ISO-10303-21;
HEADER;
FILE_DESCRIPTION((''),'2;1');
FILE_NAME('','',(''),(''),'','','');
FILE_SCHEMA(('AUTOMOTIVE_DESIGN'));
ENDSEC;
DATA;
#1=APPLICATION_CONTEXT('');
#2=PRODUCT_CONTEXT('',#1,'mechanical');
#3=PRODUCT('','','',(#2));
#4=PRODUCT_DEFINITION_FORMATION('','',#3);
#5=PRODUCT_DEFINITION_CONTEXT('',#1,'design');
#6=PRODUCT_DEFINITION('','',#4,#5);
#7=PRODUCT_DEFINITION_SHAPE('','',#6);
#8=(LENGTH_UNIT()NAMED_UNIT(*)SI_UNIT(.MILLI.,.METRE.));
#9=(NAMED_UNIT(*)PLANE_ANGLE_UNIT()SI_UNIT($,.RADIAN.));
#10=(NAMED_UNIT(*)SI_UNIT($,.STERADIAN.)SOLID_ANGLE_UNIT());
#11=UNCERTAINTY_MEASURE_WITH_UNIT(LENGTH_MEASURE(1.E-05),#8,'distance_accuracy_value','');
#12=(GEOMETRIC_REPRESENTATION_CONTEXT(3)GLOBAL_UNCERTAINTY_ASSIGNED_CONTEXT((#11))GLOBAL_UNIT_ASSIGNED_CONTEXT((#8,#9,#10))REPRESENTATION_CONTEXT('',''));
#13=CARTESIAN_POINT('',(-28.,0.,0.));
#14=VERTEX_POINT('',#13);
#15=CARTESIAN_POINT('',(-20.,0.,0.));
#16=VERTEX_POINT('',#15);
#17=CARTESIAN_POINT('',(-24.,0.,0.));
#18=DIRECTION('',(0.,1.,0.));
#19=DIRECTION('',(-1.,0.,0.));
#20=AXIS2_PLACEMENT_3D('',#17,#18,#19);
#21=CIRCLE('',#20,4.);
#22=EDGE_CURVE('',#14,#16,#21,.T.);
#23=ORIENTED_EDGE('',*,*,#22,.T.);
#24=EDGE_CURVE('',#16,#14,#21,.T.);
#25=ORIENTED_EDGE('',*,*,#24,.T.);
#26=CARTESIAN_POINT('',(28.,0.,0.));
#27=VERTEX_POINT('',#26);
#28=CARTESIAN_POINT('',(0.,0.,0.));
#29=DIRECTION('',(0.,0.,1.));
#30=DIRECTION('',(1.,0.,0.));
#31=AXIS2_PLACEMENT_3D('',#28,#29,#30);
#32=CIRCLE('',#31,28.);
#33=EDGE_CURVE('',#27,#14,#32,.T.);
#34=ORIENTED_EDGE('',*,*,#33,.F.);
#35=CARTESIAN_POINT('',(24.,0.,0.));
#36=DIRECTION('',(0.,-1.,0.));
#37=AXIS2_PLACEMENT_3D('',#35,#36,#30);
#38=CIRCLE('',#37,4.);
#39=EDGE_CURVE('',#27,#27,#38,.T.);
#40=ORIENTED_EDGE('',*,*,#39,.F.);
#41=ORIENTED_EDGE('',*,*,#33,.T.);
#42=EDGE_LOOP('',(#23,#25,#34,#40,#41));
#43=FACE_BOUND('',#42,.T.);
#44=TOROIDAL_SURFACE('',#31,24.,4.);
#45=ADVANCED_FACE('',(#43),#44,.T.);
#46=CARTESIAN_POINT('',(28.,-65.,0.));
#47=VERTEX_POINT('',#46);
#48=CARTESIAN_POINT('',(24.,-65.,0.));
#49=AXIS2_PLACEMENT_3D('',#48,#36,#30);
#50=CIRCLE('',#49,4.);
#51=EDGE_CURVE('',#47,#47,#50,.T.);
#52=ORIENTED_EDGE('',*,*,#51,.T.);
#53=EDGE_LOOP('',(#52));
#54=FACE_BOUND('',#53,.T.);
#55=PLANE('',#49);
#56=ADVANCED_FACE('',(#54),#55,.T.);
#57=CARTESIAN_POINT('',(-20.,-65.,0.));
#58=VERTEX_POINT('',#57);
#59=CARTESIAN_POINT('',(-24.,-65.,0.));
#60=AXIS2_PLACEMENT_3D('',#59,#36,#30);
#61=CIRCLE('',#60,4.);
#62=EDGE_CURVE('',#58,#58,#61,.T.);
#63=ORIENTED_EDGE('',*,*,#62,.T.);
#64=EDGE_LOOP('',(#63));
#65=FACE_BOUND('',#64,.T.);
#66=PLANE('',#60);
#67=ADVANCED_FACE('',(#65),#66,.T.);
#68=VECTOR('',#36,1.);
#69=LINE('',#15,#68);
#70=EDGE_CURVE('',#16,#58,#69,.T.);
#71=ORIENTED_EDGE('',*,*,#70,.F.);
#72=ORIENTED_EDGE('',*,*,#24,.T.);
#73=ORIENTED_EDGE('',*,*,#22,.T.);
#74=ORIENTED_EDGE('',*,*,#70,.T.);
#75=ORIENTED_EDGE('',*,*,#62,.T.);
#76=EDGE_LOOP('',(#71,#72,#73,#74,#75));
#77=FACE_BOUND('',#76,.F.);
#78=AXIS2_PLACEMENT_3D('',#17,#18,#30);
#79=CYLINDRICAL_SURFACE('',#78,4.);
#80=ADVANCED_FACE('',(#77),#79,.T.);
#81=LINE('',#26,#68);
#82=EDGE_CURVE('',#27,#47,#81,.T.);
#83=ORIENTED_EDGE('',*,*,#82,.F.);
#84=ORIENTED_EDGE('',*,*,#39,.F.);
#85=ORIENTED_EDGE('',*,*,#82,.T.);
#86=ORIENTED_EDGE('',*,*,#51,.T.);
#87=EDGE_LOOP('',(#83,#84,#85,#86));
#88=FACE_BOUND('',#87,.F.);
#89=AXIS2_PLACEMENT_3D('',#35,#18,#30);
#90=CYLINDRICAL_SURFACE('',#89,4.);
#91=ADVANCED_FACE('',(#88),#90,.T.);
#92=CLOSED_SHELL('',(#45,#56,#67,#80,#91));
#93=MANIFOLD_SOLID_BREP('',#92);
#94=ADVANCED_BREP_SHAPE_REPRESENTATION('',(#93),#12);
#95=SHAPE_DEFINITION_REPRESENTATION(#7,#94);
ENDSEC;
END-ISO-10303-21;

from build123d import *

# Parameters (mm, degrees)
F0_R      = 4
F1_ANGLE  = -180
F1_FACE_R = 4
F2_DEPTH  = 65


with BuildPart() as f1:
    # F0 (on Front) → F1 (revolve)
    with BuildSketch(Plane.XZ):
        with Locations((24, 0)):
            Circle(F0_R)
    revolve(axis=Axis((0, 0, -3.866768), (0, 0, -1)), revolution_arc=F1_ANGLE)

    # F1_face (on face) → F2 (join)
    with BuildSketch(Plane(origin=(-24, 0, 0), x_dir=(1, 0, 0), z_dir=(0, -1, 0))):
        Circle(F1_FACE_R)
        with Locations((48, 0)):
            Circle(F1_FACE_R)
    extrude(amount=F2_DEPTH)


solid = f1.part
